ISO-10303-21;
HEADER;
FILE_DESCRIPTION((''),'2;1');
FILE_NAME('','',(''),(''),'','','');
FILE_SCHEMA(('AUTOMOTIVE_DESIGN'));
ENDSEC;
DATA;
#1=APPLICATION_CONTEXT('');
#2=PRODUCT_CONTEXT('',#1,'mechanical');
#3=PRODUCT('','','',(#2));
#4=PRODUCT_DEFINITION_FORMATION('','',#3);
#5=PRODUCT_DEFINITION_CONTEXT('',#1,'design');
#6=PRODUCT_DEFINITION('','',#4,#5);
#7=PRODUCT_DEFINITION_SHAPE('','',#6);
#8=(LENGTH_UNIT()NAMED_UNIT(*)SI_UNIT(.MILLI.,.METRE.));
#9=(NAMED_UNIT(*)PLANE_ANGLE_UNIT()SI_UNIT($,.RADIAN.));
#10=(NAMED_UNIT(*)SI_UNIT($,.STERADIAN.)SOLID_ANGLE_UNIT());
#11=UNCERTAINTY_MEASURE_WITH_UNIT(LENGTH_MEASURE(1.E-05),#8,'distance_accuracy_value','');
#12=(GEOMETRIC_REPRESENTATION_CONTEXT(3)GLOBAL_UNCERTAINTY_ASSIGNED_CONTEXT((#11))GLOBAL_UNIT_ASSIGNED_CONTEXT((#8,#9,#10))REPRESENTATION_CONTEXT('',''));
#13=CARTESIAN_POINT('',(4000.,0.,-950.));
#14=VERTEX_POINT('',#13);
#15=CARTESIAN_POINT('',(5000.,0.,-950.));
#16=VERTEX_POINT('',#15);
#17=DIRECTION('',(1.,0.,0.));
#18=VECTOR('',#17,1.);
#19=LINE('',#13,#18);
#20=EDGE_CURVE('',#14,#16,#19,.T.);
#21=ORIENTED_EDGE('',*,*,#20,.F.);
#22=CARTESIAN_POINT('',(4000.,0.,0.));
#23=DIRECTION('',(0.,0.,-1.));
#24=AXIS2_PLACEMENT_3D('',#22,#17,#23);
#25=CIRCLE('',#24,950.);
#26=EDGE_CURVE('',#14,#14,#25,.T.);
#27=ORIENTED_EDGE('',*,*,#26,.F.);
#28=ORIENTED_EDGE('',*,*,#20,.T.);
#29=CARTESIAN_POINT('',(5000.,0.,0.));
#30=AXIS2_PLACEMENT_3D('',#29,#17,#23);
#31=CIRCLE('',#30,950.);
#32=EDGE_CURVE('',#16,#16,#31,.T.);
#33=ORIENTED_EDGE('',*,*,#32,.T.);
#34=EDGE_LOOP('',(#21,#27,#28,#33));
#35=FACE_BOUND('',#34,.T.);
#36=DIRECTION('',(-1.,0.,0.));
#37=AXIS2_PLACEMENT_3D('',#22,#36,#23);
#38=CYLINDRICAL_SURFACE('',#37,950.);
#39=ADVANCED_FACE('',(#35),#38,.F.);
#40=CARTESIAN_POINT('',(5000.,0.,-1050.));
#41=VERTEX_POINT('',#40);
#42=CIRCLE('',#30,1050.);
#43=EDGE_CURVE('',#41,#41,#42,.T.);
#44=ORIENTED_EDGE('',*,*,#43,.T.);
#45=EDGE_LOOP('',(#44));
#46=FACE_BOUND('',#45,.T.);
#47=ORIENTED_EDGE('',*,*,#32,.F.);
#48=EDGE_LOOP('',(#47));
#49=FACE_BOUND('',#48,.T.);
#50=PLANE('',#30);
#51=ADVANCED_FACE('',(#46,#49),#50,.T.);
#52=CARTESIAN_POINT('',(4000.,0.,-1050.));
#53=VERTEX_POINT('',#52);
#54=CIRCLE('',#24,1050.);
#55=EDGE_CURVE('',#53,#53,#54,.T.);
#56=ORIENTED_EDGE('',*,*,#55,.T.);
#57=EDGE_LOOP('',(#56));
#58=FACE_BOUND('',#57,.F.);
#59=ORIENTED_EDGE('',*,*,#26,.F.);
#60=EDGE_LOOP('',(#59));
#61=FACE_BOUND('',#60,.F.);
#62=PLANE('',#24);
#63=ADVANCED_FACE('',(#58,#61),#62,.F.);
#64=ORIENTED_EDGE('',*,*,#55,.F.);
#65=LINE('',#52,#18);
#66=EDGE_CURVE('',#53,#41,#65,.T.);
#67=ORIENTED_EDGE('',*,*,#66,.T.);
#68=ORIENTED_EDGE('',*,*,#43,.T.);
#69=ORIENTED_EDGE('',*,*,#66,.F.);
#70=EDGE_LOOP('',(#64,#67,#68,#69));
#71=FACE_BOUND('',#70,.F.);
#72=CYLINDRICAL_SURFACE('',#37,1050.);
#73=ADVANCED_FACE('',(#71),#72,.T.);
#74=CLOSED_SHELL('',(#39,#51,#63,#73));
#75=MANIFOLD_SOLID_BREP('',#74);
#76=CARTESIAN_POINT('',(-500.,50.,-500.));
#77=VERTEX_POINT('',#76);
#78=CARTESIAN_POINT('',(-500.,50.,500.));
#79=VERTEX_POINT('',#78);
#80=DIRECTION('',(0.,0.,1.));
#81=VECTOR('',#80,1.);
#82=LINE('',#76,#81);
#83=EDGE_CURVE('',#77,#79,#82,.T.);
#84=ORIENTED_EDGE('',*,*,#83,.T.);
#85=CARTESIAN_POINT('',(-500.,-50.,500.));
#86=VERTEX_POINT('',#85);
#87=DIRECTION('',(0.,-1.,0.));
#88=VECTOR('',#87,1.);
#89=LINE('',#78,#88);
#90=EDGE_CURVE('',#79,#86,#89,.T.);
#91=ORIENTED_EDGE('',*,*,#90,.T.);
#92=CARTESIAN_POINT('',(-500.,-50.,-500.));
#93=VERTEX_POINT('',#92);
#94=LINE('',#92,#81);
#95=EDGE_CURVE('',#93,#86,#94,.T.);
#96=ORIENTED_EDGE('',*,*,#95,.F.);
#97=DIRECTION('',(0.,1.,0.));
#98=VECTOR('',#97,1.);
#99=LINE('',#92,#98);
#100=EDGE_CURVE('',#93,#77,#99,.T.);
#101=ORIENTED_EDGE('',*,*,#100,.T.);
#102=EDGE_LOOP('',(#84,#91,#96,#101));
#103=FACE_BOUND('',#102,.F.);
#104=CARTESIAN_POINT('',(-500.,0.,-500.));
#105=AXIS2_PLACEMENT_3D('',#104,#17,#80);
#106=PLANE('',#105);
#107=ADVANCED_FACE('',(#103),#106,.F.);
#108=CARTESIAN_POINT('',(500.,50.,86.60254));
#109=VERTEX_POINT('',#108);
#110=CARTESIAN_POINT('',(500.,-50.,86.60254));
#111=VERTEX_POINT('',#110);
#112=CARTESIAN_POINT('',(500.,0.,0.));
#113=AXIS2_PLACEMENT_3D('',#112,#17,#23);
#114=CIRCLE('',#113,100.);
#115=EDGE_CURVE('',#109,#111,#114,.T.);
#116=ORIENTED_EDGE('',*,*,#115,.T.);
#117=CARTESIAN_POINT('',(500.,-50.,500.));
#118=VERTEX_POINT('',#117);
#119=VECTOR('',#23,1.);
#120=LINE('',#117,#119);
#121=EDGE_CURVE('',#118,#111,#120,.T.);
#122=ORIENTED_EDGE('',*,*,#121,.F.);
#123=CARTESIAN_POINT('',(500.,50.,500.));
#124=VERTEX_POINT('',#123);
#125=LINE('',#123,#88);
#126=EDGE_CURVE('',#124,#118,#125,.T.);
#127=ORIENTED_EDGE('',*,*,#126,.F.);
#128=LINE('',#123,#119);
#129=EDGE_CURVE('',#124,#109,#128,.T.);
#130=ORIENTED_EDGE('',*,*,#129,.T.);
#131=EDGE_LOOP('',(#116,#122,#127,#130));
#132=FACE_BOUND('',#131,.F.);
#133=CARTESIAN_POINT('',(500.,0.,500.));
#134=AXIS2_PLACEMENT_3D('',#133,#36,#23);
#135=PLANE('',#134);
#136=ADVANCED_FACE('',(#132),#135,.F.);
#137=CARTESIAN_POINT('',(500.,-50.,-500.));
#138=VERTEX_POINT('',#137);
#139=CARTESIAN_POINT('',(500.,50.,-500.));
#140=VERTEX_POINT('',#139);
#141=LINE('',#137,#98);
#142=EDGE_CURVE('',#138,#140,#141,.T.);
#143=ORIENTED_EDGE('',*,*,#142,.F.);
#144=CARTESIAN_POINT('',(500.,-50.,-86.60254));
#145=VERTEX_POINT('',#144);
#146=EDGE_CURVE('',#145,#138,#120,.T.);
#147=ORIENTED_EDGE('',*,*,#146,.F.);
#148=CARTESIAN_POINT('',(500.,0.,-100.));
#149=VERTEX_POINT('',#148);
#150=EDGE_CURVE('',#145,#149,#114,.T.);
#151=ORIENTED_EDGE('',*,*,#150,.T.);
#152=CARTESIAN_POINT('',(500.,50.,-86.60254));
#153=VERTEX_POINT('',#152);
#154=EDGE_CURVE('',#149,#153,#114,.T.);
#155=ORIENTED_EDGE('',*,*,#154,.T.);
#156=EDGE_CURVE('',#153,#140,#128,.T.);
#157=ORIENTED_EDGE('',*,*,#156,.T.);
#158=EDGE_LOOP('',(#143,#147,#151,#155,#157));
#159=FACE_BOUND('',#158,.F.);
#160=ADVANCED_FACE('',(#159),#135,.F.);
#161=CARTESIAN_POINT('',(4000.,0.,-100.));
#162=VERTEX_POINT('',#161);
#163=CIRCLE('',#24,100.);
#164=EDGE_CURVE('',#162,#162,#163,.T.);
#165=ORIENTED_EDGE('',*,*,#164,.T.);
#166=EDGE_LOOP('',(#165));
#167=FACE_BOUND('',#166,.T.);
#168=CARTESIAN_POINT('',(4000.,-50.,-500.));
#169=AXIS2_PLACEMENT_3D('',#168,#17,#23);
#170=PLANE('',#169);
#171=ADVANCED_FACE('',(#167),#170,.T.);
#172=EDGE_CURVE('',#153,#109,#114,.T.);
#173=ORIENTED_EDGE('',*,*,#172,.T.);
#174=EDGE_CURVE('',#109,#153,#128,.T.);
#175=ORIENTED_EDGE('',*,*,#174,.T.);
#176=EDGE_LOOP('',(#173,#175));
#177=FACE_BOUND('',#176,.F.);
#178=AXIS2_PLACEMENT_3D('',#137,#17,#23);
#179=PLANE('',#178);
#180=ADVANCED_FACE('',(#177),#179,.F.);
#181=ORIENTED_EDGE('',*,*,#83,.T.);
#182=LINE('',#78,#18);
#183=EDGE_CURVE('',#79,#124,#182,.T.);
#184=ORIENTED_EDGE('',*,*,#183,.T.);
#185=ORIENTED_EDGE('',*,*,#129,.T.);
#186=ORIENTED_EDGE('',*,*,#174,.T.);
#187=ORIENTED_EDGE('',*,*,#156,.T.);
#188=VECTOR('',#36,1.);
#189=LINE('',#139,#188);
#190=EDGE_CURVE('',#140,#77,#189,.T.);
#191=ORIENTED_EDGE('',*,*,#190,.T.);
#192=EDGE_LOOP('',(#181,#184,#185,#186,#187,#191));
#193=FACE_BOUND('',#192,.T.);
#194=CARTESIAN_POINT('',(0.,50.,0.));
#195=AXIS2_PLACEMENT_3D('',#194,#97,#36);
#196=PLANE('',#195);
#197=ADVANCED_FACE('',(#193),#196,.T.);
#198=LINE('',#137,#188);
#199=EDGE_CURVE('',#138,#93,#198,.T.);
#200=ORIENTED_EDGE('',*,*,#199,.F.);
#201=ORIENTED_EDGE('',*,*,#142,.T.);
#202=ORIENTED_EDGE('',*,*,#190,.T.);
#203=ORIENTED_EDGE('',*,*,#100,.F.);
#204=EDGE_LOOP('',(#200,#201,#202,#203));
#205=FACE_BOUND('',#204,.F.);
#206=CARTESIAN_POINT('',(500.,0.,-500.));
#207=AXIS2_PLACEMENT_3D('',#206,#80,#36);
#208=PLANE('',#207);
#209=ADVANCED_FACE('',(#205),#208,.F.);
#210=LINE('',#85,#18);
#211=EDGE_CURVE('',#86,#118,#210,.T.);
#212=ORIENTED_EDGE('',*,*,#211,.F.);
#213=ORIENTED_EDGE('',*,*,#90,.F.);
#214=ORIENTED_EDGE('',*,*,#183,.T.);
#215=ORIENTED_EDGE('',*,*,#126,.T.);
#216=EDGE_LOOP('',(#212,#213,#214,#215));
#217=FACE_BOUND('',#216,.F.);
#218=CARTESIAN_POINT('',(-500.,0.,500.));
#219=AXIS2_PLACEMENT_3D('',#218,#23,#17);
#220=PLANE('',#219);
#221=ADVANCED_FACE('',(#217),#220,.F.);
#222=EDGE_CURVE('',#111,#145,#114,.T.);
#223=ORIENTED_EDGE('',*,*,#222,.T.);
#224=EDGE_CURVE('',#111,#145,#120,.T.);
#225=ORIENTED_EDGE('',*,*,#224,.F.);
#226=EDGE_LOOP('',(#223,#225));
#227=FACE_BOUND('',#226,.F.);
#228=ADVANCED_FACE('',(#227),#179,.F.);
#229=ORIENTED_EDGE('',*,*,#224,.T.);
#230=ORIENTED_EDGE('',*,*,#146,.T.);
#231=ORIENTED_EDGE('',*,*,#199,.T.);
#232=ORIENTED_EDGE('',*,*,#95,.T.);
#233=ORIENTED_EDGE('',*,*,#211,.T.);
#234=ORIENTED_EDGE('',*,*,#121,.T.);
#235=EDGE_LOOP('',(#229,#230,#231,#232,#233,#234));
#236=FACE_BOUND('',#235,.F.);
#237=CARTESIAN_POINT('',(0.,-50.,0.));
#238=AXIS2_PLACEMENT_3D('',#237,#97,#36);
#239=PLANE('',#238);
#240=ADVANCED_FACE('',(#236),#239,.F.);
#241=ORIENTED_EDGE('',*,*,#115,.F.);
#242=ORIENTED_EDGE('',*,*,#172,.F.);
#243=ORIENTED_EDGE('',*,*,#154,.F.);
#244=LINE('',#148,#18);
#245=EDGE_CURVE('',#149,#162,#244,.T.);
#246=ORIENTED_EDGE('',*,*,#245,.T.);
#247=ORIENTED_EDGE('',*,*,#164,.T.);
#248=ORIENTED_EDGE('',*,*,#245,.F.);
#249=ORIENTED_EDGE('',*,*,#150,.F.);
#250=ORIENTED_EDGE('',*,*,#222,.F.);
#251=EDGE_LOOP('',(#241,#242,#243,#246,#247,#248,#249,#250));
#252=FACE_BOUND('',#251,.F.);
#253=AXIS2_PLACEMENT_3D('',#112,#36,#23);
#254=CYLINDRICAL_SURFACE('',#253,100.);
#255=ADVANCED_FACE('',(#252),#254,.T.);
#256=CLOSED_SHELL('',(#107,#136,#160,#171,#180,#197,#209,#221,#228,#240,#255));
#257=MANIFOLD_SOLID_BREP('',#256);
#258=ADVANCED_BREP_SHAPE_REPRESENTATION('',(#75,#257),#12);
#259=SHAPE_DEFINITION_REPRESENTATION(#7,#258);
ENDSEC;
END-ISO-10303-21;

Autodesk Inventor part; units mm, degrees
ref_plane "YZ Plane" through (0, 0, 0) normal (1, 0, 0) x (0, 1, 0)
ref_plane "XZ Plane" through (0, 0, 0) normal (0, 1, 0) x (-1, 0, 0)
ref_plane "XY Plane" through (0, 0, 0) normal (0, 0, 1) x (1, 0, 0)
sketch "Sketch3" plane through (0, 0, 0) normal (0, 1, 0) x (-1, 0, 0)
  line L0 (-500, -500) -> (500, -500)
  line L1 (500, -500) -> (500, 500)
  line L2 (500, 500) -> (-500, 500)
  line L3 (-500, 500) -> (-500, -500)
  line L4 (-500, -500) -> (500, 500) construction
  line L5 (500, -500) -> (-500, 500) construction
  point P0 (0, 0)
  dimension "d8" = 1000
  dimension "d9" = 1000
extrude "Extrusion3" add sketch "Sketch3" along normal mid plane 100
sketch "Sketch4" plane through (500, -50, -500) normal (1, 0, 0) x (0, 0, -1)
  circle A0 centre (-500, 50) radius 100
  dimension "d12" = 100
extrude "Extrusion4" add sketch "Sketch4" along normal blind 3500
sketch "Sketch6" plane through (4000, 0, 0) normal (1, 0, 0) x (0, 0, -1)
  circle A0 centre (0, 0) radius 1000 construction
  circle A1 centre (0, 0) radius 1050
  circle A2 centre (0, 0) radius 950
  dimension "d18" = 1000
  dimension "d21" = 50
  dimension "d22" = 50
extrude "Extrusion6" add sketch "Sketch6" along normal blind 1000
properties part number "EAO Test Ref"
